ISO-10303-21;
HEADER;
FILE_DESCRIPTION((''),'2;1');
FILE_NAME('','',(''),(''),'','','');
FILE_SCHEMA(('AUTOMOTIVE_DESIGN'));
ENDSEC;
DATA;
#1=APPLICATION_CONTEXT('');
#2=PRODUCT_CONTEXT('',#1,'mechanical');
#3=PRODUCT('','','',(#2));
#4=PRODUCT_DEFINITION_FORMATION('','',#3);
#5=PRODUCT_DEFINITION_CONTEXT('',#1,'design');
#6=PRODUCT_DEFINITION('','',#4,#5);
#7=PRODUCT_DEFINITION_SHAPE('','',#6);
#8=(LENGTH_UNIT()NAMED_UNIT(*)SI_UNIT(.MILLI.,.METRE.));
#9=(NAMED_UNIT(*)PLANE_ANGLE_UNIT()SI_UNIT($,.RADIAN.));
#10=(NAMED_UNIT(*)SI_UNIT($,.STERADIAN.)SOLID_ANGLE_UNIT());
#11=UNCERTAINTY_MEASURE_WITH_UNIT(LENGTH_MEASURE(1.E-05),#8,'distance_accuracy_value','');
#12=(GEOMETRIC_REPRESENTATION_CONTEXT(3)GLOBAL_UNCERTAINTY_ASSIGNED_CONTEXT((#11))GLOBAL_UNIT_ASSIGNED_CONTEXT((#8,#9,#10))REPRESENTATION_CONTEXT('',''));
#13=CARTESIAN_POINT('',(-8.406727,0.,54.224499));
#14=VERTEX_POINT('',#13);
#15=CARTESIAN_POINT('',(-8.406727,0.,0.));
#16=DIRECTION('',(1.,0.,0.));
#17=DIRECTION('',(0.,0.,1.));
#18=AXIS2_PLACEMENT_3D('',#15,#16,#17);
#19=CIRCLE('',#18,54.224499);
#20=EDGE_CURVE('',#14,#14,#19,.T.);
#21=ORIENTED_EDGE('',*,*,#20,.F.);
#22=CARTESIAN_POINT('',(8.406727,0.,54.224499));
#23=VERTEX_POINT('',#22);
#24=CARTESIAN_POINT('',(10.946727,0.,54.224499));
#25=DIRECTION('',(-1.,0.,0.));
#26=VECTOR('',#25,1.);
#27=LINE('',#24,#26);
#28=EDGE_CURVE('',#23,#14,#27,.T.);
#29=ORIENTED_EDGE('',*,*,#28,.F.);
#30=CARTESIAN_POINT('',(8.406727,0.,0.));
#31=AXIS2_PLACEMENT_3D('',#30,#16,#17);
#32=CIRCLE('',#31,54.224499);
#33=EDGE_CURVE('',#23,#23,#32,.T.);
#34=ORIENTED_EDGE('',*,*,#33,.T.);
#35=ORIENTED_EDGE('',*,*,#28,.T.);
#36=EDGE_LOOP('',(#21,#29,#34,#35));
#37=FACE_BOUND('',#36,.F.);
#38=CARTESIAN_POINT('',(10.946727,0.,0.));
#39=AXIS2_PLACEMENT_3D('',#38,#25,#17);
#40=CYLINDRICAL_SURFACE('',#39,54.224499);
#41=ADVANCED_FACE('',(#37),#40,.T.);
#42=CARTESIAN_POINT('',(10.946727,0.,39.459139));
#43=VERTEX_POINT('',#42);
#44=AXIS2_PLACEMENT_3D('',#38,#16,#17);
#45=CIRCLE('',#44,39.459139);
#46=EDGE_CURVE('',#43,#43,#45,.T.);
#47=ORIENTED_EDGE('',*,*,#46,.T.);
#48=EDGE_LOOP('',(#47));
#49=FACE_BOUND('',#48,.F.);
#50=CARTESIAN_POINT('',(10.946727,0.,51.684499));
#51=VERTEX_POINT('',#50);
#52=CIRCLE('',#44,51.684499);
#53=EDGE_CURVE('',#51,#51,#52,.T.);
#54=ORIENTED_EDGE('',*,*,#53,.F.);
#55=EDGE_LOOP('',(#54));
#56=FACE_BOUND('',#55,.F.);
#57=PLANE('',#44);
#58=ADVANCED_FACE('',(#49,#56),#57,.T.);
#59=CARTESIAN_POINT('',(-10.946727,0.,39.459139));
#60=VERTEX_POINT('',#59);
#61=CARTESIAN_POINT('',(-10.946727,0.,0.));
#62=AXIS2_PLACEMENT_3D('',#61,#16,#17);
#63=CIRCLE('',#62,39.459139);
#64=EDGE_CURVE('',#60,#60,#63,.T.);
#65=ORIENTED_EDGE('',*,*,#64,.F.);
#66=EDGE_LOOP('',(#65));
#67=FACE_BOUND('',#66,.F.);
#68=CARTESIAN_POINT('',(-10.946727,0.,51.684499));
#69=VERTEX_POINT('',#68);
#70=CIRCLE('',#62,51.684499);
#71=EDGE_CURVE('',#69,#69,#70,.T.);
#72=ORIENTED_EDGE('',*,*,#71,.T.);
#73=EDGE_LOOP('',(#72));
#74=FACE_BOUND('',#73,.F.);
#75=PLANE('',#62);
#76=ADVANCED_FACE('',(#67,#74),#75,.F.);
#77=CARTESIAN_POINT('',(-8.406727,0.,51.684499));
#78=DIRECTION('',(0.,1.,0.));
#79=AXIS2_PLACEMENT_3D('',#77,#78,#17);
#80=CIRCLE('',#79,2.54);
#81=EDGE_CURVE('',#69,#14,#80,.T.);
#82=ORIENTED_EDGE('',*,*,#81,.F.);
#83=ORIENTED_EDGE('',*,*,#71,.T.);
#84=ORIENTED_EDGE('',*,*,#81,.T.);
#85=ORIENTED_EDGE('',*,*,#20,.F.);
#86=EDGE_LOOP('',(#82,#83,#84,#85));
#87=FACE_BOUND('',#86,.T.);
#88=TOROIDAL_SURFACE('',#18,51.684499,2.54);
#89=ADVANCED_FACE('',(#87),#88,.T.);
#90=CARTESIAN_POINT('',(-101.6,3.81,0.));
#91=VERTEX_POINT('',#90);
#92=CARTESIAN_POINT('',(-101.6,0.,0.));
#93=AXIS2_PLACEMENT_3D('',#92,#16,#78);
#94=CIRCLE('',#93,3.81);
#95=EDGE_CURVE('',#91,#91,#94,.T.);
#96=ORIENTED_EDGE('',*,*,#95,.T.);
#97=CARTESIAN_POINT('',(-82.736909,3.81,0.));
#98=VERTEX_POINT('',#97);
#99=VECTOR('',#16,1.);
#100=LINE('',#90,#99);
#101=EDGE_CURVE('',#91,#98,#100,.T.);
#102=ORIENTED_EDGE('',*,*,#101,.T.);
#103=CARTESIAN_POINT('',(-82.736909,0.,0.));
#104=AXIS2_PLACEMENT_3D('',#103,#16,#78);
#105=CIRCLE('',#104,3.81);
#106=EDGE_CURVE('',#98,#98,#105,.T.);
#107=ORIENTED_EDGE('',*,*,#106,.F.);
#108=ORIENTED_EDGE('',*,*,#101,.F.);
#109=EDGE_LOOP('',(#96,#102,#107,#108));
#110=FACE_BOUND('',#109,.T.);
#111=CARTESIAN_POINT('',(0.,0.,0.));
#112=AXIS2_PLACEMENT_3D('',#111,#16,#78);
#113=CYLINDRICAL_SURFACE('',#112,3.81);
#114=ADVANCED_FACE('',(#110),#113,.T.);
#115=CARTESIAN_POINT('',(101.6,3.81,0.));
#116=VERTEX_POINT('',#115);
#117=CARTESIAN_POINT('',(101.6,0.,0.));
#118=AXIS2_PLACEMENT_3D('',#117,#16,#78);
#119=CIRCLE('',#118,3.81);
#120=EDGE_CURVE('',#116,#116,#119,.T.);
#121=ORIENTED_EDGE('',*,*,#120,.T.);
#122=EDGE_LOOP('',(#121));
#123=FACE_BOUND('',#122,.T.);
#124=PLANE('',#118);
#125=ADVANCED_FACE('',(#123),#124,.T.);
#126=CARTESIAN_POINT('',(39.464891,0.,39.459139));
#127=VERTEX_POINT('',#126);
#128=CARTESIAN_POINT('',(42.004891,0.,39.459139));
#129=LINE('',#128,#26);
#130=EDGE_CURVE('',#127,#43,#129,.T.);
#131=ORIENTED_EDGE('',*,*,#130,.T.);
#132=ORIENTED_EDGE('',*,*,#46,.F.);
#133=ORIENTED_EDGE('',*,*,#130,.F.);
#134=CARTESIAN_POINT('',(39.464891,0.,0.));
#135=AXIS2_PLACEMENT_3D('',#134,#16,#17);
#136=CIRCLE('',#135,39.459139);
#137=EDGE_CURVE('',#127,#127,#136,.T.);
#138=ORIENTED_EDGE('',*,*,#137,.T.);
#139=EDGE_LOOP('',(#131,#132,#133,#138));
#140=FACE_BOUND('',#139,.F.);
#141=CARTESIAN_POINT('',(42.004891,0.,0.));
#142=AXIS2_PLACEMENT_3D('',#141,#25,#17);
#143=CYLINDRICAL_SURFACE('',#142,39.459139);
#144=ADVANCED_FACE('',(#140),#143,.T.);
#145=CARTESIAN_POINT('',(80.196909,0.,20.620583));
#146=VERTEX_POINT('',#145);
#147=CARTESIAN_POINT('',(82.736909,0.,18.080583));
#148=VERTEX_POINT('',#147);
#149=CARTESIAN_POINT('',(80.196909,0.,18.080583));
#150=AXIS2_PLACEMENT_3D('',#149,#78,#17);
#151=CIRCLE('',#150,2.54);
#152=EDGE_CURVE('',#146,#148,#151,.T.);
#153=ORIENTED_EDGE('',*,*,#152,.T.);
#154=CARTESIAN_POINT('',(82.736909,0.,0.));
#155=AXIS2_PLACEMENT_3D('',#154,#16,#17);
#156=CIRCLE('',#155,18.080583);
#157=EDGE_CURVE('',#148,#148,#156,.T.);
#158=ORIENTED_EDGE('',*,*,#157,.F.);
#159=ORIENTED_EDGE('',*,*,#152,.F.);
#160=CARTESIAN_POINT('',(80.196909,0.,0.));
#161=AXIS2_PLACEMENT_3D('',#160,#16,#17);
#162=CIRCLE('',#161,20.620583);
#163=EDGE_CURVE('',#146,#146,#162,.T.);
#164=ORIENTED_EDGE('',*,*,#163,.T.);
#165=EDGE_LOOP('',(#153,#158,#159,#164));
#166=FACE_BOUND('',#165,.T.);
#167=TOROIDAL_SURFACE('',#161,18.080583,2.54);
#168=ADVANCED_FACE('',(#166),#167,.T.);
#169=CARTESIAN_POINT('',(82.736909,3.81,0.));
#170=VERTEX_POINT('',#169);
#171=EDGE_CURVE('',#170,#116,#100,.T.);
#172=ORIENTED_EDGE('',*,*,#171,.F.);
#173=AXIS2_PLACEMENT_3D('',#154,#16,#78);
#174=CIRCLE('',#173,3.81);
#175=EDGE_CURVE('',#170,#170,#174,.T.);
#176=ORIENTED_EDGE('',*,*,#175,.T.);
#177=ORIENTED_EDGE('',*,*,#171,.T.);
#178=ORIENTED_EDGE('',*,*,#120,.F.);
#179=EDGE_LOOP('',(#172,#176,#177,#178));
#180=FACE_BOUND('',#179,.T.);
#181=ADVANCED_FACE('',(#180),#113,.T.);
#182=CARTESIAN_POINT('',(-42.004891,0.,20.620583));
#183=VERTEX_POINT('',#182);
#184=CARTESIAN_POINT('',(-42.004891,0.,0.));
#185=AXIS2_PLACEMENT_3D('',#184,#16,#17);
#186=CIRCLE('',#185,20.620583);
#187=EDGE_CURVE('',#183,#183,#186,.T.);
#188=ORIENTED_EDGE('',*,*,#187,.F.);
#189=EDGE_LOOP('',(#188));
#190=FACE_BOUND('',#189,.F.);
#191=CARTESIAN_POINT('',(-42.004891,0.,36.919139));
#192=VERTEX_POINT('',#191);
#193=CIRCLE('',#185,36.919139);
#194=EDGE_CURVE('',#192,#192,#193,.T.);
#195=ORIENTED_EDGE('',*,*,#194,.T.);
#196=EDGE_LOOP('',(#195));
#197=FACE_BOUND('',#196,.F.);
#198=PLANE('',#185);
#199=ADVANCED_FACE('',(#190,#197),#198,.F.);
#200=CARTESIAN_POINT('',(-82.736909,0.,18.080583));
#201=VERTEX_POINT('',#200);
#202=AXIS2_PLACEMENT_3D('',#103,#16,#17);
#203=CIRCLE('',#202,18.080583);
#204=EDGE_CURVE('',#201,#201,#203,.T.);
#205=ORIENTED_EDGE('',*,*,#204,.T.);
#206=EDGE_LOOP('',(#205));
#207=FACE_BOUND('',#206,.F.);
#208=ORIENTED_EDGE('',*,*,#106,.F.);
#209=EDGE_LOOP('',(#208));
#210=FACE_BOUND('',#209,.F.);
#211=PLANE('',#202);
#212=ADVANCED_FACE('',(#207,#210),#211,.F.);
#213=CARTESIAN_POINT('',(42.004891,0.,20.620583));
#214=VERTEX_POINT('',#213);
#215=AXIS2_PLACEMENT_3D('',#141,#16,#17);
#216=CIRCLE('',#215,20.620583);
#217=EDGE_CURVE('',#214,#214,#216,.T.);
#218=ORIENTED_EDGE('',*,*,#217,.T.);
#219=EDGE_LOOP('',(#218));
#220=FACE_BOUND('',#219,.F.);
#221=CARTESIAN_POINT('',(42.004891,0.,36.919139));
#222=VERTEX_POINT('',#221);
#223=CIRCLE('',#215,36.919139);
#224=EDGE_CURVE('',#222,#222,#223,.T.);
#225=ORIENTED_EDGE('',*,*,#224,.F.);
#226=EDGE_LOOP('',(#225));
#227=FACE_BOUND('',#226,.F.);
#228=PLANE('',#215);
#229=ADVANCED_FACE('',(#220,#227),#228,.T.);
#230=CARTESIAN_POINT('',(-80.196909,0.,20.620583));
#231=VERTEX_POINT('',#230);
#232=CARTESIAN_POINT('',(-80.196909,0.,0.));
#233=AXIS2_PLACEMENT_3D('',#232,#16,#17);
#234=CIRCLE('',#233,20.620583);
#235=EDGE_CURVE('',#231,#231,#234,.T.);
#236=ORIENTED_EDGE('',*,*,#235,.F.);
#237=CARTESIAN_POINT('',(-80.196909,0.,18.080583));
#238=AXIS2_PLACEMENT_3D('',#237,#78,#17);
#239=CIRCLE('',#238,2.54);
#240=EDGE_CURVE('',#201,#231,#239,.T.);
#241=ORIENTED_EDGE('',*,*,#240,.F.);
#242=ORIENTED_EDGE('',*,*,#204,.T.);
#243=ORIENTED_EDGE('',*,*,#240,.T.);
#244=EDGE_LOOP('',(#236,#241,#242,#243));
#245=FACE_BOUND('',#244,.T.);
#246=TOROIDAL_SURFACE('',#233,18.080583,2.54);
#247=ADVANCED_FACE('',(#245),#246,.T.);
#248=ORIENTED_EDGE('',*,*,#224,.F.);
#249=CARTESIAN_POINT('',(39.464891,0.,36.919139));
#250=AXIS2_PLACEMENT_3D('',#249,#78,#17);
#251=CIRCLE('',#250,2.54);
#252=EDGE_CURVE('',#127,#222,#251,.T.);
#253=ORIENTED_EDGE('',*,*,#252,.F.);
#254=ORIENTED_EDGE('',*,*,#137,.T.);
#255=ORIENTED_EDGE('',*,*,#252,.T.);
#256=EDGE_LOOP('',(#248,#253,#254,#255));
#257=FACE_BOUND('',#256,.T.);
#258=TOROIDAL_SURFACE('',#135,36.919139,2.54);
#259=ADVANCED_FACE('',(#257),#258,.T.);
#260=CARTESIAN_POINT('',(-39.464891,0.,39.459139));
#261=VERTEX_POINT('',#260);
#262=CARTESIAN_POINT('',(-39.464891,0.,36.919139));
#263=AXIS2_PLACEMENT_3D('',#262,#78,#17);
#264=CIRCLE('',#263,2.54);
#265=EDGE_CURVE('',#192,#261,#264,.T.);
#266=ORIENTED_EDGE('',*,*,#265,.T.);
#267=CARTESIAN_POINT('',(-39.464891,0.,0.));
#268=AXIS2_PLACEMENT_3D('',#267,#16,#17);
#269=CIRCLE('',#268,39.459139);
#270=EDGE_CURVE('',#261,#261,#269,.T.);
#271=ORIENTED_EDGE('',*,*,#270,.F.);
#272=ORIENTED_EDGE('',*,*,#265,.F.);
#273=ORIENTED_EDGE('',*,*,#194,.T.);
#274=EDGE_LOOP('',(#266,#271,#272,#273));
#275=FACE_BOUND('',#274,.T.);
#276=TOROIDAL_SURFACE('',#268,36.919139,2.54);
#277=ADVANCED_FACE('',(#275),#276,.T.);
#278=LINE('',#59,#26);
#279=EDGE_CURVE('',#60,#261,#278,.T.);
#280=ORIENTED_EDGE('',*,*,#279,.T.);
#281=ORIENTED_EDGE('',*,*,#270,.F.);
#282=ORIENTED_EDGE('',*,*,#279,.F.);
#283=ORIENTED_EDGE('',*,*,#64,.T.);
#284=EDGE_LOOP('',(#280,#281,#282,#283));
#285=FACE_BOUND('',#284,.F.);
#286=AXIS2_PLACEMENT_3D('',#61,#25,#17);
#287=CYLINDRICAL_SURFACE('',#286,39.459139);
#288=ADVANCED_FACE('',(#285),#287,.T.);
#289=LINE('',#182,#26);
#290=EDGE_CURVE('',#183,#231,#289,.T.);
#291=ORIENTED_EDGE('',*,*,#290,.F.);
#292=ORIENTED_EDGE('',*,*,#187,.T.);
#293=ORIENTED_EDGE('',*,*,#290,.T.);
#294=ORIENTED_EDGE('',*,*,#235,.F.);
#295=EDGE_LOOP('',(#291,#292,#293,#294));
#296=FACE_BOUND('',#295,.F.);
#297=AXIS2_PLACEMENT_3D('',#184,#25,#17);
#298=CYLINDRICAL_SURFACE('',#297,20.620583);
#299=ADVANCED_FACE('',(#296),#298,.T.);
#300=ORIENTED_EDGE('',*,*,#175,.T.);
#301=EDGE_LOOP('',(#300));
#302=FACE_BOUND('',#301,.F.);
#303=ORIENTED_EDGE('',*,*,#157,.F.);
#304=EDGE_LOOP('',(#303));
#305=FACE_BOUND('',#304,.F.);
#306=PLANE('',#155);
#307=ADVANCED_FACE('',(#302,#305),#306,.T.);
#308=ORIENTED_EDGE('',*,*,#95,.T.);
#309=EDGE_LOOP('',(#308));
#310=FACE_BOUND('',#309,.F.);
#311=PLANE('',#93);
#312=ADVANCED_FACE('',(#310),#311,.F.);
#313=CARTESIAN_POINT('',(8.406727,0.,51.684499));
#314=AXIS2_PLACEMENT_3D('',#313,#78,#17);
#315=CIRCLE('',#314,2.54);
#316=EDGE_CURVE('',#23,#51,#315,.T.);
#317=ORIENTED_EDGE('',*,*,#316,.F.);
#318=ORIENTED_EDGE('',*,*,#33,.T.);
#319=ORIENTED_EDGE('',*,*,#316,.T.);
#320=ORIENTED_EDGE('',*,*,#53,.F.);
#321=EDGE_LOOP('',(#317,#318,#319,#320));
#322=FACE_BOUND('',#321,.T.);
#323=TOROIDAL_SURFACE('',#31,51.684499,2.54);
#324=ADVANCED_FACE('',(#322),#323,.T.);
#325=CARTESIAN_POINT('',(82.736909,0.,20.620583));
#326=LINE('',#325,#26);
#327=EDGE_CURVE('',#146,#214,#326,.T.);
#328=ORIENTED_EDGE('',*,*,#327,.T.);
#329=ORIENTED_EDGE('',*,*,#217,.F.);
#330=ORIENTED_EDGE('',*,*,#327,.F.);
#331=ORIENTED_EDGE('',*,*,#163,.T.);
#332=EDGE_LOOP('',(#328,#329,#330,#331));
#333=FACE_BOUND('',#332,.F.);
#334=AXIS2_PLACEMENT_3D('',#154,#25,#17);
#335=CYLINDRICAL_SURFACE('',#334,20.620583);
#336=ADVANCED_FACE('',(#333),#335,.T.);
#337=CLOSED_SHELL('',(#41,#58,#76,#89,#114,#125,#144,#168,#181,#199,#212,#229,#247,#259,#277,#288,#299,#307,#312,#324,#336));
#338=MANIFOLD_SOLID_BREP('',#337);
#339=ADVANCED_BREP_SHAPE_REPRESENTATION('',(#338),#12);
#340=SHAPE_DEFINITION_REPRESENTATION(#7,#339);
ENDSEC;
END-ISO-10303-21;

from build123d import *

# Parameters (mm, degrees)
F0_R     = 3.81
F1_DEPTH = 101.6
F4_R     = 2.54


with BuildPart() as f1:
    # F0 (on Right) → F1 (new body, symmetric)
    with BuildSketch(Plane.YZ):
        Circle(F0_R)
    extrude(amount=F1_DEPTH, both=True)

    # F2 (on Front) → F3 (revolve)
    with BuildSketch(Plane.XZ):
        Polygon((-82.736909, 20.620583), (-82.736909, 0), (82.736909, 0), (82.736909, 20.620583), (42.004891, 20.620583), (42.004891, 39.459139), (10.946727, 39.459139), (10.946727, 54.224499), (0, 54.224499), (-10.946727, 54.224499), (-10.946727, 39.459139), (-42.004891, 39.459139), (-42.004891, 20.620583), align=None)
    revolve(axis=Axis((0, 0, 0), (1, 0, 0)))

    # F4
    f4_edges = [f1.edges().sort_by_distance(p)[0] for p in [
        (-10.946727, 0, -54.224499),
        (-42.004891, 0, -39.459139),
        (-82.736909, 0, -20.620583),
        (10.946727, 0, -54.224499),
        (42.004891, 0, -39.459139),
        (82.736909, 0, -20.620583),
    ]]
    fillet(f4_edges, radius=F4_R)


solid = f1.part
